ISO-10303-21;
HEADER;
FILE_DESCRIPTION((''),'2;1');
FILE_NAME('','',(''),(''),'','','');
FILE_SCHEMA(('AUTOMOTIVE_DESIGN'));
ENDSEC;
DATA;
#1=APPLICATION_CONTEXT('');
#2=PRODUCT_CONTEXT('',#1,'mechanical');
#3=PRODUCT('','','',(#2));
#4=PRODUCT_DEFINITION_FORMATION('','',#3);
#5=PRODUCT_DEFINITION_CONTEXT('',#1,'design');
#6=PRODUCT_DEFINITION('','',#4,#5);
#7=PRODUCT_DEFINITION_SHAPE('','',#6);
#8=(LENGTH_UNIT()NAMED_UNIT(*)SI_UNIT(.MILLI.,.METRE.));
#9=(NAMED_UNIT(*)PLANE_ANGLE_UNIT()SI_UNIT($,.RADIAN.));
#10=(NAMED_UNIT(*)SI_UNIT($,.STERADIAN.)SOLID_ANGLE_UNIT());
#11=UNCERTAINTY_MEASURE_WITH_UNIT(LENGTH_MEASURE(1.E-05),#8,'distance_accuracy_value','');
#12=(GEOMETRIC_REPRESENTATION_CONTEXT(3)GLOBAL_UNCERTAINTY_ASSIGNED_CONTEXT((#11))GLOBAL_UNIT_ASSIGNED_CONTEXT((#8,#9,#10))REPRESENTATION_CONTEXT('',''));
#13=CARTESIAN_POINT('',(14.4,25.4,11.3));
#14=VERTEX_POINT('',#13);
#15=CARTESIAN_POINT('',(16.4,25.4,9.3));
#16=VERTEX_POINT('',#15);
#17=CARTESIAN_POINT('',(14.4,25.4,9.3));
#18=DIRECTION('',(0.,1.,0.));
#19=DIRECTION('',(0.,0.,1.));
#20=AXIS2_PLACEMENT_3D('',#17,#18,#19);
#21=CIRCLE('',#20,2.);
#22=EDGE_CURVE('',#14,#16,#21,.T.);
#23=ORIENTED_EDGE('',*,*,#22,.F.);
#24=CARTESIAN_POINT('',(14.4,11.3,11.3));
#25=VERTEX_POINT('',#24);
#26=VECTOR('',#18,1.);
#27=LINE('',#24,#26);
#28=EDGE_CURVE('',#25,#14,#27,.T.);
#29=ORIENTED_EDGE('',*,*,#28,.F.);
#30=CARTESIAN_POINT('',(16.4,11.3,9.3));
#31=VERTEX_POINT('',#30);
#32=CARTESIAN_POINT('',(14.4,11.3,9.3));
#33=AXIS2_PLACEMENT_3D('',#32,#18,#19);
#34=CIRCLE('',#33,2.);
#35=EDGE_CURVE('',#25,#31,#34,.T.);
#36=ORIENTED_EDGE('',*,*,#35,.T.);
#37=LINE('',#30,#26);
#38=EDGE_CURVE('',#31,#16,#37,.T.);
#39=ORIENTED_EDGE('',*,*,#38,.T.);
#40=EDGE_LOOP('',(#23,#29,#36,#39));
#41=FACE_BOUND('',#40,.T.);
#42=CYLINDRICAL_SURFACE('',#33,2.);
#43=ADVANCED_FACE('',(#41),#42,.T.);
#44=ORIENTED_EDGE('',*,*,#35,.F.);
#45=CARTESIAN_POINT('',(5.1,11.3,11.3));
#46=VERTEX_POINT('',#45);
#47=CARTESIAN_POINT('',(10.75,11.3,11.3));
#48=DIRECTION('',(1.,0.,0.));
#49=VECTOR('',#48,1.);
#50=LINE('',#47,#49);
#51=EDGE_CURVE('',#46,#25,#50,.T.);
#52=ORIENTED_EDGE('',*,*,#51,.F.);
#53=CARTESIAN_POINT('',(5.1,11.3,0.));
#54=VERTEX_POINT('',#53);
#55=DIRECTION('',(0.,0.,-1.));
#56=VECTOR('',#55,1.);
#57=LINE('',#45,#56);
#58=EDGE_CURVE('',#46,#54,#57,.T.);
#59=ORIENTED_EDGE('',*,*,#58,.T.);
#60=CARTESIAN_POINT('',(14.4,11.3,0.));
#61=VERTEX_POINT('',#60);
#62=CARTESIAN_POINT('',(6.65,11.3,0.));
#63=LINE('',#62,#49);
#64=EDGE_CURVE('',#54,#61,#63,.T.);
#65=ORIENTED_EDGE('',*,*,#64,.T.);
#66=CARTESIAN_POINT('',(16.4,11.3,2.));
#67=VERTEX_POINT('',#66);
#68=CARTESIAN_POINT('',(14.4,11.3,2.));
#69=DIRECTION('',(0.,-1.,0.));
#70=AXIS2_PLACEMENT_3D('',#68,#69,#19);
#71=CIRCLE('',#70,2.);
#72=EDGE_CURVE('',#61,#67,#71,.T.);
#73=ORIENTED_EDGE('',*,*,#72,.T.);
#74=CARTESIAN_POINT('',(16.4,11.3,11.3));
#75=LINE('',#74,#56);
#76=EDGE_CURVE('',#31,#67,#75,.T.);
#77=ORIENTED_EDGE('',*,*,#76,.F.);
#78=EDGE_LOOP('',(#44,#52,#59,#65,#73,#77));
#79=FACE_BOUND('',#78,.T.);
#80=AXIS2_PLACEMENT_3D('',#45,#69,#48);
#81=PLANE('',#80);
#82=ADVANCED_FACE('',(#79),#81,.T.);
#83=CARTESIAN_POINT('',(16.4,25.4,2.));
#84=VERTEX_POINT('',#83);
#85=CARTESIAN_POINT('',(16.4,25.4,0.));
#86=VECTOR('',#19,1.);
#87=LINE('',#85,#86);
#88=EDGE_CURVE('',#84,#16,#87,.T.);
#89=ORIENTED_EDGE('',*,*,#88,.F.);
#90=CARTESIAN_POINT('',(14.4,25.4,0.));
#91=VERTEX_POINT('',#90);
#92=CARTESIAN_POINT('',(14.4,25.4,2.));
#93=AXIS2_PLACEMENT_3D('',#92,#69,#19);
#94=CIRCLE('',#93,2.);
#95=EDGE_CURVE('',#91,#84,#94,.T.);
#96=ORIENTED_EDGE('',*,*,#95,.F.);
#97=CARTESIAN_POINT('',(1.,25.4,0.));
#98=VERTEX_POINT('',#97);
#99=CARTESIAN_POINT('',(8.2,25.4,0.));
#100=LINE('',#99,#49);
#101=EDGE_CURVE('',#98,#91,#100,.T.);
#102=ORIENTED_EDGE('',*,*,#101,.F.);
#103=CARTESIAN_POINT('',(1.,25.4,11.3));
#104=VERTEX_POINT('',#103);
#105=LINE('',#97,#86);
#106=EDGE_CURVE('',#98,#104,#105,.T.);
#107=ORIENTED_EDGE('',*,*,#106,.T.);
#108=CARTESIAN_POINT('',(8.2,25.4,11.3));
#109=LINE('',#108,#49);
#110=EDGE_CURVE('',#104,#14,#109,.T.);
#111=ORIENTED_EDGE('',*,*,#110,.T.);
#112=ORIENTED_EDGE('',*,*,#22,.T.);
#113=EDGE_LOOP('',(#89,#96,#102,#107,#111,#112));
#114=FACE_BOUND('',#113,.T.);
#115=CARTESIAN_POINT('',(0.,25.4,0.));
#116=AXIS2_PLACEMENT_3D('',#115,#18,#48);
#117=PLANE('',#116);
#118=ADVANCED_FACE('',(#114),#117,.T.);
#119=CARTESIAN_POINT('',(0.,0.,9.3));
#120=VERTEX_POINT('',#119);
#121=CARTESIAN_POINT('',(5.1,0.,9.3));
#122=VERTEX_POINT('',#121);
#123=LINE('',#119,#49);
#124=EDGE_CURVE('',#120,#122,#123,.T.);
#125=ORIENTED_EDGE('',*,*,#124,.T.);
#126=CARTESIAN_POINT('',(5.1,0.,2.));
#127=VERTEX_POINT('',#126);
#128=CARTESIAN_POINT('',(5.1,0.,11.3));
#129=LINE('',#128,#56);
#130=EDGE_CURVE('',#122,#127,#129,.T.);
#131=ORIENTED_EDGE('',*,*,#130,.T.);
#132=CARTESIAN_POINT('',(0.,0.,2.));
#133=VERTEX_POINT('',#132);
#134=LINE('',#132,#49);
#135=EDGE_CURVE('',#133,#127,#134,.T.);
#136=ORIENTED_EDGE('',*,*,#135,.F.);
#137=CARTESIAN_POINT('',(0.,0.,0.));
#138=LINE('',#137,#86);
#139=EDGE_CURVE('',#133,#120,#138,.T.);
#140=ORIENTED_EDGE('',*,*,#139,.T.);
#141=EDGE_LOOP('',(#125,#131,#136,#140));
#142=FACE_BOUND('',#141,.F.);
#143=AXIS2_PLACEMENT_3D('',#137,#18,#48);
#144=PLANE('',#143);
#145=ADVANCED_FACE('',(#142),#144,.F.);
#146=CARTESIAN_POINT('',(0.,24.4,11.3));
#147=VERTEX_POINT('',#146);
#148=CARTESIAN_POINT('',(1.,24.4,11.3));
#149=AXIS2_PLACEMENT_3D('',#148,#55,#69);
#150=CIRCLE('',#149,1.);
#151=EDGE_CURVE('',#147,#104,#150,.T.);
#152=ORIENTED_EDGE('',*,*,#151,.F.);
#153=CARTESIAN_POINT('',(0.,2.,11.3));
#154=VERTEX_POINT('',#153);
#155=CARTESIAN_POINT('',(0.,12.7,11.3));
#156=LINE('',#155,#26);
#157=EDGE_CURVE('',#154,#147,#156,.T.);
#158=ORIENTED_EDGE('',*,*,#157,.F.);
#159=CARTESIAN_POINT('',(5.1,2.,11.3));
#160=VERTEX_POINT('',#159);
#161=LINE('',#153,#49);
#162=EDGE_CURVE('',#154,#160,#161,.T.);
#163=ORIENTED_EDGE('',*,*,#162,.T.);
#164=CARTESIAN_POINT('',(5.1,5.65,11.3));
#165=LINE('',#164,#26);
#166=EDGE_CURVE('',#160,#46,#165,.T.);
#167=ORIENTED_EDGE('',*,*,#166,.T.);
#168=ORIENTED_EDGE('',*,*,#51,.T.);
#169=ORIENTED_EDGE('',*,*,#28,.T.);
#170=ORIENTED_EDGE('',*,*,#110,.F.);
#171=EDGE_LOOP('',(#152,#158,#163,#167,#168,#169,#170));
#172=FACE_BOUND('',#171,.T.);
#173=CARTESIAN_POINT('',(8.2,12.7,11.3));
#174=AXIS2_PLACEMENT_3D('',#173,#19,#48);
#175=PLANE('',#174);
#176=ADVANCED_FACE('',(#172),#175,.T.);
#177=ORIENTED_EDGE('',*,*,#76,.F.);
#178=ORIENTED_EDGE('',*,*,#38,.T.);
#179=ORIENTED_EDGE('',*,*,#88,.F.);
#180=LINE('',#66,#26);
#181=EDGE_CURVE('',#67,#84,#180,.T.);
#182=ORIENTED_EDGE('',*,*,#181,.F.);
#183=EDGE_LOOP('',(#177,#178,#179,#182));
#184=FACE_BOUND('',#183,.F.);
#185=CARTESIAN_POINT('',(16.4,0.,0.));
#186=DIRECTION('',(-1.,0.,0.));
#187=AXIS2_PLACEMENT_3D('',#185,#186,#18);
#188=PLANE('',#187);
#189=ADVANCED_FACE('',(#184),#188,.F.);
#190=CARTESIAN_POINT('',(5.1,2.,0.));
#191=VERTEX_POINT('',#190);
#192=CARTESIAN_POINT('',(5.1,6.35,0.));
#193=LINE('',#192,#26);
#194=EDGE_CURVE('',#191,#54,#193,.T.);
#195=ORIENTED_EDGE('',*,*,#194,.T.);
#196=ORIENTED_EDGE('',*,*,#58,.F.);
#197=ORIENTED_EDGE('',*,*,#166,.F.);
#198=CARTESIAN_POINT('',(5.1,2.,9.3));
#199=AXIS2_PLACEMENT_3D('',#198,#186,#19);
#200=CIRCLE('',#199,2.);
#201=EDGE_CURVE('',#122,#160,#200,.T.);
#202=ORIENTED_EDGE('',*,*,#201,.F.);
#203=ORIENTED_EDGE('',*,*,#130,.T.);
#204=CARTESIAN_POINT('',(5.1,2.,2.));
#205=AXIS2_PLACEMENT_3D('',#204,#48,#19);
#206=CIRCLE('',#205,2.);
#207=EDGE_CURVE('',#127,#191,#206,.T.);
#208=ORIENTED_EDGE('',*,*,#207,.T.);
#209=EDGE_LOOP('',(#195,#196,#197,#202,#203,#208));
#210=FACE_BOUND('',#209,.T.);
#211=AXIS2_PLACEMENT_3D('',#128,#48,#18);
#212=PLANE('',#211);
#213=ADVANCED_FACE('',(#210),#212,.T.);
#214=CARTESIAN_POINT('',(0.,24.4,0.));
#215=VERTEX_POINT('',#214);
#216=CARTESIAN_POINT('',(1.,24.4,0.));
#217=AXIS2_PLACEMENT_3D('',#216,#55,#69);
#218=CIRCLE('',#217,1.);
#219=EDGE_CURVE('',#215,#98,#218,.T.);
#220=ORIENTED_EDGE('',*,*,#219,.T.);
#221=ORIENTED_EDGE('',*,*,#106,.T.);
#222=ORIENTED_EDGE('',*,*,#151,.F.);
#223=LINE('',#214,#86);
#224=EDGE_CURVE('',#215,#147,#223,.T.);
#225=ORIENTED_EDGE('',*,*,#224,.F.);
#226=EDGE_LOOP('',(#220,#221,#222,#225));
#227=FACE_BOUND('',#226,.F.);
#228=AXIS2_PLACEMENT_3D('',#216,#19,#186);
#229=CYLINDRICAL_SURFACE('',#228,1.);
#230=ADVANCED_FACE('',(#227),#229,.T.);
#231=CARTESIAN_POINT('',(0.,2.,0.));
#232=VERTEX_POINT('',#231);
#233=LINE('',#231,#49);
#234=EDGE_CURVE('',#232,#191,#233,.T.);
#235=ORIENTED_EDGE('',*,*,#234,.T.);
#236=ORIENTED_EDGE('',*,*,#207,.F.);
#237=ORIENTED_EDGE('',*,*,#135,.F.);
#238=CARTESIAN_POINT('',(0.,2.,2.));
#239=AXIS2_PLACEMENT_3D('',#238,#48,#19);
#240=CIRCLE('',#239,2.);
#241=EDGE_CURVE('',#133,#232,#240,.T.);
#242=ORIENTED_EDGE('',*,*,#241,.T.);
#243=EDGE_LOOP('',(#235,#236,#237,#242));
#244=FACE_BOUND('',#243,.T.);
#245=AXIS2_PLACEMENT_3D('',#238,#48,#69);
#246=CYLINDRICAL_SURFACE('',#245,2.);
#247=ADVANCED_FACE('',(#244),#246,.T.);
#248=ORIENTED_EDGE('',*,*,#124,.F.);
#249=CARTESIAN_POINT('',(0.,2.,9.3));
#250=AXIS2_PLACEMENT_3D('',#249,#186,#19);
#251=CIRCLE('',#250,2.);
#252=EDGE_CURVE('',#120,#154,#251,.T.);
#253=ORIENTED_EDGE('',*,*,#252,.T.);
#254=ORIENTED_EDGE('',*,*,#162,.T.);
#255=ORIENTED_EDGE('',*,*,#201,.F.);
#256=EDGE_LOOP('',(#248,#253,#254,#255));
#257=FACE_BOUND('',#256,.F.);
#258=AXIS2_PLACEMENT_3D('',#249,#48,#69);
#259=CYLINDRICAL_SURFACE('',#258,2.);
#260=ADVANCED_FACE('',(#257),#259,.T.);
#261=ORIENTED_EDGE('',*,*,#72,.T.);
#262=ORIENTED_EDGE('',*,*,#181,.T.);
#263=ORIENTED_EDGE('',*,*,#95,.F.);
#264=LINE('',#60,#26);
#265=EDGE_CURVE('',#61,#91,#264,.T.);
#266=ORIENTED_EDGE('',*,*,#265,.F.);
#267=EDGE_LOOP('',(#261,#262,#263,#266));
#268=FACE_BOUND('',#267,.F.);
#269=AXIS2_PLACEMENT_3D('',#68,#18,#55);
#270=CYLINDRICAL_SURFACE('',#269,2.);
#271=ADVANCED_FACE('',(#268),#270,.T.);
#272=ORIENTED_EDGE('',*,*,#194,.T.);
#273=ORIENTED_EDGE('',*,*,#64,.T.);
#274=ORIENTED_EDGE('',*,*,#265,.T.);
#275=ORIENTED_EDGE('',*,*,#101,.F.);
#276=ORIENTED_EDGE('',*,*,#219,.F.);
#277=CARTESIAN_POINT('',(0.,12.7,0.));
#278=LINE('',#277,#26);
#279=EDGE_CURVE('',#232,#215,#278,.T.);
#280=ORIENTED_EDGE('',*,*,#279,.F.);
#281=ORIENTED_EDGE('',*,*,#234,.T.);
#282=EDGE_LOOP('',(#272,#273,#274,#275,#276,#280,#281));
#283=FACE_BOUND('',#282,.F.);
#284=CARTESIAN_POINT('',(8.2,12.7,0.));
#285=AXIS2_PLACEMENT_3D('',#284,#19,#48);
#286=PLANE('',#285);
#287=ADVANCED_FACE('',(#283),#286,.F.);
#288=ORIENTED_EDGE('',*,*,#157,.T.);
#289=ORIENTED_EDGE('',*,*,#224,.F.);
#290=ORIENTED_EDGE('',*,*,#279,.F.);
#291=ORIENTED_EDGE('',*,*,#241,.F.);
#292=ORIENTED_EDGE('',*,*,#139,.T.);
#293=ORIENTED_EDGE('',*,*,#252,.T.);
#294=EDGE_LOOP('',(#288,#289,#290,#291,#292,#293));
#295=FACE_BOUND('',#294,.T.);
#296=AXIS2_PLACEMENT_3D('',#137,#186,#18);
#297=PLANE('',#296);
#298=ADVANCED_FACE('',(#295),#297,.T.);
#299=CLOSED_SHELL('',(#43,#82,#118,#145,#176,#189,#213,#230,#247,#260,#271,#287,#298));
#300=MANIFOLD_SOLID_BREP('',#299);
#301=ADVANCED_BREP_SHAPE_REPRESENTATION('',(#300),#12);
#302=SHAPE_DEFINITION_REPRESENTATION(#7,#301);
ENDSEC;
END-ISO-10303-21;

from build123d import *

# Parameters (mm, degrees)
F0_W     = 16.4
F0_H     = 25.4
F1_DEPTH = 11.3
F2_W     = 11.3
F2_H     = 11.3
F3_DEPTH = 25
F4_R     = 2
F5_R     = 1


with BuildPart() as f1:
    # F0 (on Top) → F1 (new body)
    with BuildSketch(Plane.XY):
        with Locations((8.2, 12.7)):
            Rectangle(F0_W, F0_H)
    extrude(amount=F1_DEPTH)

    # F2 (on face) → F3 (cut)
    with BuildSketch(Plane.XY.offset(11.3)):
        with Locations((10.75, 5.65)):
            Rectangle(F2_W, F2_H)
    extrude(amount=-F3_DEPTH, mode=Mode.SUBTRACT)

    # F4
    f4_edges = [f1.edges().sort_by_distance(p)[0] for p in [
        (16.4, 18.35, 0),
        (2.55, 0, 0),
        (2.55, 0, 11.3),
        (16.4, 18.35, 11.3),
    ]]
    fillet(f4_edges, radius=F4_R)

    # F5
    f5_edges = [f1.edges().sort_by_distance(p)[0] for p in [
        (0, 25.4, 5.65),
    ]]
    fillet(f5_edges, radius=F5_R)


solid = f1.part
